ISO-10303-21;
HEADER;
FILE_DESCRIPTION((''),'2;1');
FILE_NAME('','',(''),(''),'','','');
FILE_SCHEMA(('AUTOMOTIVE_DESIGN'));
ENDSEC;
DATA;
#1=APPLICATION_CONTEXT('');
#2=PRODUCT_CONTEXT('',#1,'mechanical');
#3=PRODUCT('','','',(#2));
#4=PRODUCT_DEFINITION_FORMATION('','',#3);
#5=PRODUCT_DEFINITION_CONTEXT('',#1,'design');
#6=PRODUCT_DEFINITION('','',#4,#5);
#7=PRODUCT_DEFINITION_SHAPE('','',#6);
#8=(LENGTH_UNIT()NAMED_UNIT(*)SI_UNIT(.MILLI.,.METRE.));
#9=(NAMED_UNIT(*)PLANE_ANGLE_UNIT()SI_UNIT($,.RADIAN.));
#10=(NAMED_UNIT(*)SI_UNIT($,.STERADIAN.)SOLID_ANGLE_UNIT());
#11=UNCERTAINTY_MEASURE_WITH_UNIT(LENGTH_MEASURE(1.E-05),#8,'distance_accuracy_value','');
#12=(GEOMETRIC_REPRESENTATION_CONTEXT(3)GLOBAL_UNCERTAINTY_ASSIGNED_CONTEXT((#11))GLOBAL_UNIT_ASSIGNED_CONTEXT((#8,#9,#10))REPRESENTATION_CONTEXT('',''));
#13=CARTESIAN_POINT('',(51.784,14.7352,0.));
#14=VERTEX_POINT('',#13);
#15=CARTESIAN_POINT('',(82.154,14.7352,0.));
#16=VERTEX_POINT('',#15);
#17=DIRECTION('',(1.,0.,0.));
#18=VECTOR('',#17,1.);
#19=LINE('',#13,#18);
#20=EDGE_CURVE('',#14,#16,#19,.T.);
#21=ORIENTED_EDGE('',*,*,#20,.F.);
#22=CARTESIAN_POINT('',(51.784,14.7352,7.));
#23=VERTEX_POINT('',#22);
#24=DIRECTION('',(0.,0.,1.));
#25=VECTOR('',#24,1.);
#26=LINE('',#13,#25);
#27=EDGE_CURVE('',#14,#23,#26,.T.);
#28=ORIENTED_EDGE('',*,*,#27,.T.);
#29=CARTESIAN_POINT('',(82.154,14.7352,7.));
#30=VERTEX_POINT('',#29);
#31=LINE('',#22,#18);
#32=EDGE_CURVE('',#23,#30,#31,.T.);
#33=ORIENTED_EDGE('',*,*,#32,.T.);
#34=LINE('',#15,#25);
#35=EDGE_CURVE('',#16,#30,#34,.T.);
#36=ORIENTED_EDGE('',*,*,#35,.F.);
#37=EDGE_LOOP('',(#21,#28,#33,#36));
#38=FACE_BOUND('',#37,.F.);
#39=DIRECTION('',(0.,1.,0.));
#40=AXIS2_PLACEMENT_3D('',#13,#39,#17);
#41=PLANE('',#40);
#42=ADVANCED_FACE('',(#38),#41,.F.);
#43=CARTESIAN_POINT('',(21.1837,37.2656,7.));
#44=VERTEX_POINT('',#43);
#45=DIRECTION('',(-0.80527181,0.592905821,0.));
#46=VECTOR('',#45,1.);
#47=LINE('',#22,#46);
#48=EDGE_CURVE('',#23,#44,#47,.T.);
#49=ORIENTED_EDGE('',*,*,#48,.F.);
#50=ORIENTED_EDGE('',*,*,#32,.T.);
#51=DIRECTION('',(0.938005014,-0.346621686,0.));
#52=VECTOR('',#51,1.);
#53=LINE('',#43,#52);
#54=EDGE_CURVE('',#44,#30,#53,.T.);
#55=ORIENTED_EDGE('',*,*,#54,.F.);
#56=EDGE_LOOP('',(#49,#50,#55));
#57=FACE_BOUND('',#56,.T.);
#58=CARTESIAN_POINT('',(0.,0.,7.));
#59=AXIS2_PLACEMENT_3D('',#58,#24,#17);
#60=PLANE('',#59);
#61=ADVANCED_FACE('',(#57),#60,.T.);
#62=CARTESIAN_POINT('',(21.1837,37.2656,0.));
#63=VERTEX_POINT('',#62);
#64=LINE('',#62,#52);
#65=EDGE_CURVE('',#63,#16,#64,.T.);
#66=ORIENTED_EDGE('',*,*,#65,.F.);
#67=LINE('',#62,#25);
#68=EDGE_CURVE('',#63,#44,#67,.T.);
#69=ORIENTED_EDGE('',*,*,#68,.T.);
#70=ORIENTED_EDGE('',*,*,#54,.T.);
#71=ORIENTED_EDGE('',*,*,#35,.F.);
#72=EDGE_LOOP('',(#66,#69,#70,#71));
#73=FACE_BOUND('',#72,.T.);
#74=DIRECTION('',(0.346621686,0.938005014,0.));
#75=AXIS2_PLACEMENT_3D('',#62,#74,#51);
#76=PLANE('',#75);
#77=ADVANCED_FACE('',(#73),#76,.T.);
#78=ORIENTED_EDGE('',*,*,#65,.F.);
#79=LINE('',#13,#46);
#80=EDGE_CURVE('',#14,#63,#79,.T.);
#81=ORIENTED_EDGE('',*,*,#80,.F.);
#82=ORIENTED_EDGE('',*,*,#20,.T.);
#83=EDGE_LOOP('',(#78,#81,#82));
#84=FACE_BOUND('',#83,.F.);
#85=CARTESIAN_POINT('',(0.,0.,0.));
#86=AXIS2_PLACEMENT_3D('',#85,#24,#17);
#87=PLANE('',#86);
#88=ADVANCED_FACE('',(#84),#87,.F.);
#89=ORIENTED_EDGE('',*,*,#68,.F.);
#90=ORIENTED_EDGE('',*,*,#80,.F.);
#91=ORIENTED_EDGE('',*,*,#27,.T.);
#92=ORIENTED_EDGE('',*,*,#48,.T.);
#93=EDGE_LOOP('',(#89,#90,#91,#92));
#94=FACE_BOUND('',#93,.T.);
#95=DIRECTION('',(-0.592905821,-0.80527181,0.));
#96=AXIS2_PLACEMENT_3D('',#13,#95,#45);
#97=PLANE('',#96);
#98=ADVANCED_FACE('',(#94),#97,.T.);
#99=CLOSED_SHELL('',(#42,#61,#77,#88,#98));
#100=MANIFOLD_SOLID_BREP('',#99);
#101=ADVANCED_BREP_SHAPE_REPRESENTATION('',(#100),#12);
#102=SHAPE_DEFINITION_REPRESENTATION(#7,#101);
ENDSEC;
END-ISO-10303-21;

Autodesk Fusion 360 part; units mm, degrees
sketch "Sketch1" plane through (0, 0, 0) normal (0, 0, 1) x (1, 0, 0)
  line L0 (51.784, 14.7352) -> (82.154, 14.7352)
  line L1 (51.784, 14.7352) -> (21.1837, 37.2656)
  line L2 (21.1837, 37.2656) -> (82.154, 14.7352)
  dimension "d1" = 30.37
  dimension "d2" = 38
  dimension "d3" = 65
extrude "Extrude1" add sketch "Sketch1" along normal blind 7
